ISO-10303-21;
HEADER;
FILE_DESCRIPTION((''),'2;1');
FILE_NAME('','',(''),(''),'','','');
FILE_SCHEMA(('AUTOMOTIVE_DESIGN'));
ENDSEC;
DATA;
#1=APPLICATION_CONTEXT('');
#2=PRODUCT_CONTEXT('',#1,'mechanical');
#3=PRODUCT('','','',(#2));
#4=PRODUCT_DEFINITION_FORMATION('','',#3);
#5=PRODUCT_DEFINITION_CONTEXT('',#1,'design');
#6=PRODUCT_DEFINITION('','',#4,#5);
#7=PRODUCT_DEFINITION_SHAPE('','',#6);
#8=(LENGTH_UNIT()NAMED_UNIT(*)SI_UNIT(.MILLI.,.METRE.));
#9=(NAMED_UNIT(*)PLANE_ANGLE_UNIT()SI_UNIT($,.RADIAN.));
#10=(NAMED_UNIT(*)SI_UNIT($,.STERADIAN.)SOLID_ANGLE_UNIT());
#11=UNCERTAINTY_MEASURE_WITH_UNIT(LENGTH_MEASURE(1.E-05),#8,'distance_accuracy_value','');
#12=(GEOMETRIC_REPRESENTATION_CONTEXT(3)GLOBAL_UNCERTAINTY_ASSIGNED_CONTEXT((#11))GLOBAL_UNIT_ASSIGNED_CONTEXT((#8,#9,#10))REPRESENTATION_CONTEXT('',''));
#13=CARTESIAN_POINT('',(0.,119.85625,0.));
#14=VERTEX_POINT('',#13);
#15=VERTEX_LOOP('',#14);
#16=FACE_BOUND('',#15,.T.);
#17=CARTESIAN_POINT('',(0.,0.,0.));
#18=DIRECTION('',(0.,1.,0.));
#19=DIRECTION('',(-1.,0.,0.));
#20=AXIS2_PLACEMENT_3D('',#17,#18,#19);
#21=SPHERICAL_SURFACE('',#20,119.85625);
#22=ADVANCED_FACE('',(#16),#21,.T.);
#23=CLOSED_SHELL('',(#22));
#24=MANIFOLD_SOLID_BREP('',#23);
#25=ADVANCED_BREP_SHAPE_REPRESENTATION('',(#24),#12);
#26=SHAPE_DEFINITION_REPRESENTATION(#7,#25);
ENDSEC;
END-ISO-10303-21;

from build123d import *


with BuildPart() as part:
    # Sketch1 → Revolve1 (revolve)
    with BuildSketch(Plane.XY):
        with BuildLine():
            Line((0, 119.85625), (0, -119.85625))
            ThreePointArc((0, -119.85625), (119.85625, 0), (0, 119.85625))
        make_face()
    revolve(axis=Axis((0, 119.85625, 0), (0, -1, 0)))


solid = part.part
